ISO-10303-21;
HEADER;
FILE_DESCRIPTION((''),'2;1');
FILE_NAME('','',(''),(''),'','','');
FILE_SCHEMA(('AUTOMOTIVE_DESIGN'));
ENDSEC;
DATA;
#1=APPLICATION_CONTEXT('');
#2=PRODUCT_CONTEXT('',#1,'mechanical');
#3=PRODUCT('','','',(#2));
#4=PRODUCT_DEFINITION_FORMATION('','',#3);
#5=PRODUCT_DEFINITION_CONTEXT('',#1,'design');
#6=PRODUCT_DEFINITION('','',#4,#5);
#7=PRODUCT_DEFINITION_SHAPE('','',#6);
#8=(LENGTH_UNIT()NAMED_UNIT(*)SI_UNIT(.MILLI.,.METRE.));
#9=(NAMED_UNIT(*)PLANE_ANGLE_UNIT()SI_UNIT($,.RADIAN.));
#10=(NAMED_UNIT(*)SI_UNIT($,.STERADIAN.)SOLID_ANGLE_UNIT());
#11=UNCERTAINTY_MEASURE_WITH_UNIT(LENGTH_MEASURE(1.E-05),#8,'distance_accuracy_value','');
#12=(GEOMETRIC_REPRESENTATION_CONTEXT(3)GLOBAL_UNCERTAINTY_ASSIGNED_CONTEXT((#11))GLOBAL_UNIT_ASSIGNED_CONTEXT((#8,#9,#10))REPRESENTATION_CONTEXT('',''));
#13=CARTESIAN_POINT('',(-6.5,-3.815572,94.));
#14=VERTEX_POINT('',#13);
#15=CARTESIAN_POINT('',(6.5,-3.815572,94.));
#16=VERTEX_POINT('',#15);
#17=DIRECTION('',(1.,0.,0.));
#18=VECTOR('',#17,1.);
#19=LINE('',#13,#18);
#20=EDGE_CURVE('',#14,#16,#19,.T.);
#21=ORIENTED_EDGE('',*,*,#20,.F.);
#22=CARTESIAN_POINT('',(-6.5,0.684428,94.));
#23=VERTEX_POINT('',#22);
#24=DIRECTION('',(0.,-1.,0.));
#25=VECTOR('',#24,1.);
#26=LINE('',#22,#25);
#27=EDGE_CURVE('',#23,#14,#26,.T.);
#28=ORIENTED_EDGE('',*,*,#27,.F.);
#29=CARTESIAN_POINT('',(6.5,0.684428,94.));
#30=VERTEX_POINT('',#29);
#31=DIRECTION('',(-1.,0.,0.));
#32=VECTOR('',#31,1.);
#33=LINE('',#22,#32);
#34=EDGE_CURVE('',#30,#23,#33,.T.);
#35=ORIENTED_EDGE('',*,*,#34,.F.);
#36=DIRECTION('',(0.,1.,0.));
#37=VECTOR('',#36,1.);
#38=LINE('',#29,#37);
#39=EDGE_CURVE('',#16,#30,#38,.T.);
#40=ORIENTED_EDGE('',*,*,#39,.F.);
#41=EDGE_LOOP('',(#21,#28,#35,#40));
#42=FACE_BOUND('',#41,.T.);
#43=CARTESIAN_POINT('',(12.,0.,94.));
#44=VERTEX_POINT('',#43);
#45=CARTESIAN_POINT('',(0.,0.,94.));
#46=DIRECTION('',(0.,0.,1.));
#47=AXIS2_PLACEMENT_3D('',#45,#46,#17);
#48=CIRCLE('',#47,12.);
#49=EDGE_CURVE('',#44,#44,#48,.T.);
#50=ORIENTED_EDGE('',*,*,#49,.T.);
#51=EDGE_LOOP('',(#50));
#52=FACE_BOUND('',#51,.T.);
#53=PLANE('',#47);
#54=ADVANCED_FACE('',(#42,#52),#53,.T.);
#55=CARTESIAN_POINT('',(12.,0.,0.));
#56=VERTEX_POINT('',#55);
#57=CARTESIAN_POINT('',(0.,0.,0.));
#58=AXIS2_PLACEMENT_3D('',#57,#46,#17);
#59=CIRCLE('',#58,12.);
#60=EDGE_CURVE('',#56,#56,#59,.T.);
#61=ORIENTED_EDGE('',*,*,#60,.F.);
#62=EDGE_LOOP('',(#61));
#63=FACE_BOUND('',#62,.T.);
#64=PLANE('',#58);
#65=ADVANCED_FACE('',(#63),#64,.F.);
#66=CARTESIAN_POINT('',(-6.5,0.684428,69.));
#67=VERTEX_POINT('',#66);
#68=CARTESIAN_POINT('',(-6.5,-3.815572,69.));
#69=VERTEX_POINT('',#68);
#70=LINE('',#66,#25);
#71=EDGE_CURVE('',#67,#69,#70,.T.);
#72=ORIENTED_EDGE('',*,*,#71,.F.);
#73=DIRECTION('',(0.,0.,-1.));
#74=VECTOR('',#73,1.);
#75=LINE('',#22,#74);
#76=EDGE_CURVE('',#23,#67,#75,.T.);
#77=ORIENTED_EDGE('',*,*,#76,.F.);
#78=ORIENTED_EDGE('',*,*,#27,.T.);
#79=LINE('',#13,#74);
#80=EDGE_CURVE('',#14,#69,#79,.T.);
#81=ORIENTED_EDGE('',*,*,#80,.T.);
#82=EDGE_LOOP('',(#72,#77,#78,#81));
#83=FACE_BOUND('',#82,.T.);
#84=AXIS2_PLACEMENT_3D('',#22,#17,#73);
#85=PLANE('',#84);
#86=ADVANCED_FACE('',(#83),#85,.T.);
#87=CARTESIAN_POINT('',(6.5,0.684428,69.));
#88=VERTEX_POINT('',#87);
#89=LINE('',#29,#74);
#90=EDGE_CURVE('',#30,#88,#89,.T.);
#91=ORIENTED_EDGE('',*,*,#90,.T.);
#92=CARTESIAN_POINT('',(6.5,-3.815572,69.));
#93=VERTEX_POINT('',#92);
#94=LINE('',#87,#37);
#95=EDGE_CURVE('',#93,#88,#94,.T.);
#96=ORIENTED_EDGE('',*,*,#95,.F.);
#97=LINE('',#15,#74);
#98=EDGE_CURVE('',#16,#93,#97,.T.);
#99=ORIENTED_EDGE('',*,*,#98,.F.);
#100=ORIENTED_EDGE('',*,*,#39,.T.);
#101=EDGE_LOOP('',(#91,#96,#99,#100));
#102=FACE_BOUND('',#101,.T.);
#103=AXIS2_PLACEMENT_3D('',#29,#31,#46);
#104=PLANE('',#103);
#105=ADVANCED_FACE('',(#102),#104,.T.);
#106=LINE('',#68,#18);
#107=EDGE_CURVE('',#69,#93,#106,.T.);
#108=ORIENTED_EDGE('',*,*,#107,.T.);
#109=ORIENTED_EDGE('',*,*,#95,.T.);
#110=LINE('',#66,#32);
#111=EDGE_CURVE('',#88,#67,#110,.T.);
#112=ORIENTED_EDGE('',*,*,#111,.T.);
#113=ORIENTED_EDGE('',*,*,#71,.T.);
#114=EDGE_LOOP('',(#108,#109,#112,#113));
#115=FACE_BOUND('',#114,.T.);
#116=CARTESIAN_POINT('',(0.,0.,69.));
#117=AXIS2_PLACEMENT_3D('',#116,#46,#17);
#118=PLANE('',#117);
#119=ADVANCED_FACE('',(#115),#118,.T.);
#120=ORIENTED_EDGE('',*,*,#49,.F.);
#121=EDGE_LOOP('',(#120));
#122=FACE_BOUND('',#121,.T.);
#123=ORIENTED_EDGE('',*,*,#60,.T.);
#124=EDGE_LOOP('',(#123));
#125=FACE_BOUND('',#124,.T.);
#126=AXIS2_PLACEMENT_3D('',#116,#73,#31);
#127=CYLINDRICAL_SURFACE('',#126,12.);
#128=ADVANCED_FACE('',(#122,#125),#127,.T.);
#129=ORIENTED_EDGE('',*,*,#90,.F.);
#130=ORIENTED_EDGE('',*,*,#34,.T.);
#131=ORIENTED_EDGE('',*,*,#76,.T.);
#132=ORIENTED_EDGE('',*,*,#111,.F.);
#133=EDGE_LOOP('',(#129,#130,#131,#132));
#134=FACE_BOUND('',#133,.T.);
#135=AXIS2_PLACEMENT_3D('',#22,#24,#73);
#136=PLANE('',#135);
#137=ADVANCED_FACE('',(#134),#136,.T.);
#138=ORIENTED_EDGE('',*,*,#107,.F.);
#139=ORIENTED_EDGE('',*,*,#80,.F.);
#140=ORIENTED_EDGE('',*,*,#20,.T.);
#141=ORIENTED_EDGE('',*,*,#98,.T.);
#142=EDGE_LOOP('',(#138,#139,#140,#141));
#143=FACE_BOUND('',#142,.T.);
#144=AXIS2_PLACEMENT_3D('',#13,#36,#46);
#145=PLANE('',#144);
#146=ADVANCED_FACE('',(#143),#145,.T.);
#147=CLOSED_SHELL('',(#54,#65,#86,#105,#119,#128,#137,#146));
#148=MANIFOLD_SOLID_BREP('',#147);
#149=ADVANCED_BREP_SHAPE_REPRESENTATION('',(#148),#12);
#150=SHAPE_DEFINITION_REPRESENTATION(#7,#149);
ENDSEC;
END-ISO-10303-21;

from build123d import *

# Parameters (mm, degrees)
CROQUIS1_R              = 12
SALIENTE_EXTRUIR1_DEPTH = 69
CROQUIS2_R              = 12
CROQUIS2_W              = 13
CROQUIS2_H              = 4.5
SALIENTE_EXTRUIR2_DEPTH = 25


with BuildPart() as part:
    # Croquis1 → Saliente-Extruir1 (new body)
    with BuildSketch(Plane.XY):
        Circle(CROQUIS1_R)
    extrude(amount=SALIENTE_EXTRUIR1_DEPTH)

    # Croquis2 → Saliente-Extruir2 (add)
    with BuildSketch(Plane.XY.offset(69)):
        Circle(CROQUIS2_R)
        with Locations((0, -1.565571557)):
            Rectangle(CROQUIS2_W, CROQUIS2_H, mode=Mode.SUBTRACT)
    extrude(amount=SALIENTE_EXTRUIR2_DEPTH)


solid = part.part
